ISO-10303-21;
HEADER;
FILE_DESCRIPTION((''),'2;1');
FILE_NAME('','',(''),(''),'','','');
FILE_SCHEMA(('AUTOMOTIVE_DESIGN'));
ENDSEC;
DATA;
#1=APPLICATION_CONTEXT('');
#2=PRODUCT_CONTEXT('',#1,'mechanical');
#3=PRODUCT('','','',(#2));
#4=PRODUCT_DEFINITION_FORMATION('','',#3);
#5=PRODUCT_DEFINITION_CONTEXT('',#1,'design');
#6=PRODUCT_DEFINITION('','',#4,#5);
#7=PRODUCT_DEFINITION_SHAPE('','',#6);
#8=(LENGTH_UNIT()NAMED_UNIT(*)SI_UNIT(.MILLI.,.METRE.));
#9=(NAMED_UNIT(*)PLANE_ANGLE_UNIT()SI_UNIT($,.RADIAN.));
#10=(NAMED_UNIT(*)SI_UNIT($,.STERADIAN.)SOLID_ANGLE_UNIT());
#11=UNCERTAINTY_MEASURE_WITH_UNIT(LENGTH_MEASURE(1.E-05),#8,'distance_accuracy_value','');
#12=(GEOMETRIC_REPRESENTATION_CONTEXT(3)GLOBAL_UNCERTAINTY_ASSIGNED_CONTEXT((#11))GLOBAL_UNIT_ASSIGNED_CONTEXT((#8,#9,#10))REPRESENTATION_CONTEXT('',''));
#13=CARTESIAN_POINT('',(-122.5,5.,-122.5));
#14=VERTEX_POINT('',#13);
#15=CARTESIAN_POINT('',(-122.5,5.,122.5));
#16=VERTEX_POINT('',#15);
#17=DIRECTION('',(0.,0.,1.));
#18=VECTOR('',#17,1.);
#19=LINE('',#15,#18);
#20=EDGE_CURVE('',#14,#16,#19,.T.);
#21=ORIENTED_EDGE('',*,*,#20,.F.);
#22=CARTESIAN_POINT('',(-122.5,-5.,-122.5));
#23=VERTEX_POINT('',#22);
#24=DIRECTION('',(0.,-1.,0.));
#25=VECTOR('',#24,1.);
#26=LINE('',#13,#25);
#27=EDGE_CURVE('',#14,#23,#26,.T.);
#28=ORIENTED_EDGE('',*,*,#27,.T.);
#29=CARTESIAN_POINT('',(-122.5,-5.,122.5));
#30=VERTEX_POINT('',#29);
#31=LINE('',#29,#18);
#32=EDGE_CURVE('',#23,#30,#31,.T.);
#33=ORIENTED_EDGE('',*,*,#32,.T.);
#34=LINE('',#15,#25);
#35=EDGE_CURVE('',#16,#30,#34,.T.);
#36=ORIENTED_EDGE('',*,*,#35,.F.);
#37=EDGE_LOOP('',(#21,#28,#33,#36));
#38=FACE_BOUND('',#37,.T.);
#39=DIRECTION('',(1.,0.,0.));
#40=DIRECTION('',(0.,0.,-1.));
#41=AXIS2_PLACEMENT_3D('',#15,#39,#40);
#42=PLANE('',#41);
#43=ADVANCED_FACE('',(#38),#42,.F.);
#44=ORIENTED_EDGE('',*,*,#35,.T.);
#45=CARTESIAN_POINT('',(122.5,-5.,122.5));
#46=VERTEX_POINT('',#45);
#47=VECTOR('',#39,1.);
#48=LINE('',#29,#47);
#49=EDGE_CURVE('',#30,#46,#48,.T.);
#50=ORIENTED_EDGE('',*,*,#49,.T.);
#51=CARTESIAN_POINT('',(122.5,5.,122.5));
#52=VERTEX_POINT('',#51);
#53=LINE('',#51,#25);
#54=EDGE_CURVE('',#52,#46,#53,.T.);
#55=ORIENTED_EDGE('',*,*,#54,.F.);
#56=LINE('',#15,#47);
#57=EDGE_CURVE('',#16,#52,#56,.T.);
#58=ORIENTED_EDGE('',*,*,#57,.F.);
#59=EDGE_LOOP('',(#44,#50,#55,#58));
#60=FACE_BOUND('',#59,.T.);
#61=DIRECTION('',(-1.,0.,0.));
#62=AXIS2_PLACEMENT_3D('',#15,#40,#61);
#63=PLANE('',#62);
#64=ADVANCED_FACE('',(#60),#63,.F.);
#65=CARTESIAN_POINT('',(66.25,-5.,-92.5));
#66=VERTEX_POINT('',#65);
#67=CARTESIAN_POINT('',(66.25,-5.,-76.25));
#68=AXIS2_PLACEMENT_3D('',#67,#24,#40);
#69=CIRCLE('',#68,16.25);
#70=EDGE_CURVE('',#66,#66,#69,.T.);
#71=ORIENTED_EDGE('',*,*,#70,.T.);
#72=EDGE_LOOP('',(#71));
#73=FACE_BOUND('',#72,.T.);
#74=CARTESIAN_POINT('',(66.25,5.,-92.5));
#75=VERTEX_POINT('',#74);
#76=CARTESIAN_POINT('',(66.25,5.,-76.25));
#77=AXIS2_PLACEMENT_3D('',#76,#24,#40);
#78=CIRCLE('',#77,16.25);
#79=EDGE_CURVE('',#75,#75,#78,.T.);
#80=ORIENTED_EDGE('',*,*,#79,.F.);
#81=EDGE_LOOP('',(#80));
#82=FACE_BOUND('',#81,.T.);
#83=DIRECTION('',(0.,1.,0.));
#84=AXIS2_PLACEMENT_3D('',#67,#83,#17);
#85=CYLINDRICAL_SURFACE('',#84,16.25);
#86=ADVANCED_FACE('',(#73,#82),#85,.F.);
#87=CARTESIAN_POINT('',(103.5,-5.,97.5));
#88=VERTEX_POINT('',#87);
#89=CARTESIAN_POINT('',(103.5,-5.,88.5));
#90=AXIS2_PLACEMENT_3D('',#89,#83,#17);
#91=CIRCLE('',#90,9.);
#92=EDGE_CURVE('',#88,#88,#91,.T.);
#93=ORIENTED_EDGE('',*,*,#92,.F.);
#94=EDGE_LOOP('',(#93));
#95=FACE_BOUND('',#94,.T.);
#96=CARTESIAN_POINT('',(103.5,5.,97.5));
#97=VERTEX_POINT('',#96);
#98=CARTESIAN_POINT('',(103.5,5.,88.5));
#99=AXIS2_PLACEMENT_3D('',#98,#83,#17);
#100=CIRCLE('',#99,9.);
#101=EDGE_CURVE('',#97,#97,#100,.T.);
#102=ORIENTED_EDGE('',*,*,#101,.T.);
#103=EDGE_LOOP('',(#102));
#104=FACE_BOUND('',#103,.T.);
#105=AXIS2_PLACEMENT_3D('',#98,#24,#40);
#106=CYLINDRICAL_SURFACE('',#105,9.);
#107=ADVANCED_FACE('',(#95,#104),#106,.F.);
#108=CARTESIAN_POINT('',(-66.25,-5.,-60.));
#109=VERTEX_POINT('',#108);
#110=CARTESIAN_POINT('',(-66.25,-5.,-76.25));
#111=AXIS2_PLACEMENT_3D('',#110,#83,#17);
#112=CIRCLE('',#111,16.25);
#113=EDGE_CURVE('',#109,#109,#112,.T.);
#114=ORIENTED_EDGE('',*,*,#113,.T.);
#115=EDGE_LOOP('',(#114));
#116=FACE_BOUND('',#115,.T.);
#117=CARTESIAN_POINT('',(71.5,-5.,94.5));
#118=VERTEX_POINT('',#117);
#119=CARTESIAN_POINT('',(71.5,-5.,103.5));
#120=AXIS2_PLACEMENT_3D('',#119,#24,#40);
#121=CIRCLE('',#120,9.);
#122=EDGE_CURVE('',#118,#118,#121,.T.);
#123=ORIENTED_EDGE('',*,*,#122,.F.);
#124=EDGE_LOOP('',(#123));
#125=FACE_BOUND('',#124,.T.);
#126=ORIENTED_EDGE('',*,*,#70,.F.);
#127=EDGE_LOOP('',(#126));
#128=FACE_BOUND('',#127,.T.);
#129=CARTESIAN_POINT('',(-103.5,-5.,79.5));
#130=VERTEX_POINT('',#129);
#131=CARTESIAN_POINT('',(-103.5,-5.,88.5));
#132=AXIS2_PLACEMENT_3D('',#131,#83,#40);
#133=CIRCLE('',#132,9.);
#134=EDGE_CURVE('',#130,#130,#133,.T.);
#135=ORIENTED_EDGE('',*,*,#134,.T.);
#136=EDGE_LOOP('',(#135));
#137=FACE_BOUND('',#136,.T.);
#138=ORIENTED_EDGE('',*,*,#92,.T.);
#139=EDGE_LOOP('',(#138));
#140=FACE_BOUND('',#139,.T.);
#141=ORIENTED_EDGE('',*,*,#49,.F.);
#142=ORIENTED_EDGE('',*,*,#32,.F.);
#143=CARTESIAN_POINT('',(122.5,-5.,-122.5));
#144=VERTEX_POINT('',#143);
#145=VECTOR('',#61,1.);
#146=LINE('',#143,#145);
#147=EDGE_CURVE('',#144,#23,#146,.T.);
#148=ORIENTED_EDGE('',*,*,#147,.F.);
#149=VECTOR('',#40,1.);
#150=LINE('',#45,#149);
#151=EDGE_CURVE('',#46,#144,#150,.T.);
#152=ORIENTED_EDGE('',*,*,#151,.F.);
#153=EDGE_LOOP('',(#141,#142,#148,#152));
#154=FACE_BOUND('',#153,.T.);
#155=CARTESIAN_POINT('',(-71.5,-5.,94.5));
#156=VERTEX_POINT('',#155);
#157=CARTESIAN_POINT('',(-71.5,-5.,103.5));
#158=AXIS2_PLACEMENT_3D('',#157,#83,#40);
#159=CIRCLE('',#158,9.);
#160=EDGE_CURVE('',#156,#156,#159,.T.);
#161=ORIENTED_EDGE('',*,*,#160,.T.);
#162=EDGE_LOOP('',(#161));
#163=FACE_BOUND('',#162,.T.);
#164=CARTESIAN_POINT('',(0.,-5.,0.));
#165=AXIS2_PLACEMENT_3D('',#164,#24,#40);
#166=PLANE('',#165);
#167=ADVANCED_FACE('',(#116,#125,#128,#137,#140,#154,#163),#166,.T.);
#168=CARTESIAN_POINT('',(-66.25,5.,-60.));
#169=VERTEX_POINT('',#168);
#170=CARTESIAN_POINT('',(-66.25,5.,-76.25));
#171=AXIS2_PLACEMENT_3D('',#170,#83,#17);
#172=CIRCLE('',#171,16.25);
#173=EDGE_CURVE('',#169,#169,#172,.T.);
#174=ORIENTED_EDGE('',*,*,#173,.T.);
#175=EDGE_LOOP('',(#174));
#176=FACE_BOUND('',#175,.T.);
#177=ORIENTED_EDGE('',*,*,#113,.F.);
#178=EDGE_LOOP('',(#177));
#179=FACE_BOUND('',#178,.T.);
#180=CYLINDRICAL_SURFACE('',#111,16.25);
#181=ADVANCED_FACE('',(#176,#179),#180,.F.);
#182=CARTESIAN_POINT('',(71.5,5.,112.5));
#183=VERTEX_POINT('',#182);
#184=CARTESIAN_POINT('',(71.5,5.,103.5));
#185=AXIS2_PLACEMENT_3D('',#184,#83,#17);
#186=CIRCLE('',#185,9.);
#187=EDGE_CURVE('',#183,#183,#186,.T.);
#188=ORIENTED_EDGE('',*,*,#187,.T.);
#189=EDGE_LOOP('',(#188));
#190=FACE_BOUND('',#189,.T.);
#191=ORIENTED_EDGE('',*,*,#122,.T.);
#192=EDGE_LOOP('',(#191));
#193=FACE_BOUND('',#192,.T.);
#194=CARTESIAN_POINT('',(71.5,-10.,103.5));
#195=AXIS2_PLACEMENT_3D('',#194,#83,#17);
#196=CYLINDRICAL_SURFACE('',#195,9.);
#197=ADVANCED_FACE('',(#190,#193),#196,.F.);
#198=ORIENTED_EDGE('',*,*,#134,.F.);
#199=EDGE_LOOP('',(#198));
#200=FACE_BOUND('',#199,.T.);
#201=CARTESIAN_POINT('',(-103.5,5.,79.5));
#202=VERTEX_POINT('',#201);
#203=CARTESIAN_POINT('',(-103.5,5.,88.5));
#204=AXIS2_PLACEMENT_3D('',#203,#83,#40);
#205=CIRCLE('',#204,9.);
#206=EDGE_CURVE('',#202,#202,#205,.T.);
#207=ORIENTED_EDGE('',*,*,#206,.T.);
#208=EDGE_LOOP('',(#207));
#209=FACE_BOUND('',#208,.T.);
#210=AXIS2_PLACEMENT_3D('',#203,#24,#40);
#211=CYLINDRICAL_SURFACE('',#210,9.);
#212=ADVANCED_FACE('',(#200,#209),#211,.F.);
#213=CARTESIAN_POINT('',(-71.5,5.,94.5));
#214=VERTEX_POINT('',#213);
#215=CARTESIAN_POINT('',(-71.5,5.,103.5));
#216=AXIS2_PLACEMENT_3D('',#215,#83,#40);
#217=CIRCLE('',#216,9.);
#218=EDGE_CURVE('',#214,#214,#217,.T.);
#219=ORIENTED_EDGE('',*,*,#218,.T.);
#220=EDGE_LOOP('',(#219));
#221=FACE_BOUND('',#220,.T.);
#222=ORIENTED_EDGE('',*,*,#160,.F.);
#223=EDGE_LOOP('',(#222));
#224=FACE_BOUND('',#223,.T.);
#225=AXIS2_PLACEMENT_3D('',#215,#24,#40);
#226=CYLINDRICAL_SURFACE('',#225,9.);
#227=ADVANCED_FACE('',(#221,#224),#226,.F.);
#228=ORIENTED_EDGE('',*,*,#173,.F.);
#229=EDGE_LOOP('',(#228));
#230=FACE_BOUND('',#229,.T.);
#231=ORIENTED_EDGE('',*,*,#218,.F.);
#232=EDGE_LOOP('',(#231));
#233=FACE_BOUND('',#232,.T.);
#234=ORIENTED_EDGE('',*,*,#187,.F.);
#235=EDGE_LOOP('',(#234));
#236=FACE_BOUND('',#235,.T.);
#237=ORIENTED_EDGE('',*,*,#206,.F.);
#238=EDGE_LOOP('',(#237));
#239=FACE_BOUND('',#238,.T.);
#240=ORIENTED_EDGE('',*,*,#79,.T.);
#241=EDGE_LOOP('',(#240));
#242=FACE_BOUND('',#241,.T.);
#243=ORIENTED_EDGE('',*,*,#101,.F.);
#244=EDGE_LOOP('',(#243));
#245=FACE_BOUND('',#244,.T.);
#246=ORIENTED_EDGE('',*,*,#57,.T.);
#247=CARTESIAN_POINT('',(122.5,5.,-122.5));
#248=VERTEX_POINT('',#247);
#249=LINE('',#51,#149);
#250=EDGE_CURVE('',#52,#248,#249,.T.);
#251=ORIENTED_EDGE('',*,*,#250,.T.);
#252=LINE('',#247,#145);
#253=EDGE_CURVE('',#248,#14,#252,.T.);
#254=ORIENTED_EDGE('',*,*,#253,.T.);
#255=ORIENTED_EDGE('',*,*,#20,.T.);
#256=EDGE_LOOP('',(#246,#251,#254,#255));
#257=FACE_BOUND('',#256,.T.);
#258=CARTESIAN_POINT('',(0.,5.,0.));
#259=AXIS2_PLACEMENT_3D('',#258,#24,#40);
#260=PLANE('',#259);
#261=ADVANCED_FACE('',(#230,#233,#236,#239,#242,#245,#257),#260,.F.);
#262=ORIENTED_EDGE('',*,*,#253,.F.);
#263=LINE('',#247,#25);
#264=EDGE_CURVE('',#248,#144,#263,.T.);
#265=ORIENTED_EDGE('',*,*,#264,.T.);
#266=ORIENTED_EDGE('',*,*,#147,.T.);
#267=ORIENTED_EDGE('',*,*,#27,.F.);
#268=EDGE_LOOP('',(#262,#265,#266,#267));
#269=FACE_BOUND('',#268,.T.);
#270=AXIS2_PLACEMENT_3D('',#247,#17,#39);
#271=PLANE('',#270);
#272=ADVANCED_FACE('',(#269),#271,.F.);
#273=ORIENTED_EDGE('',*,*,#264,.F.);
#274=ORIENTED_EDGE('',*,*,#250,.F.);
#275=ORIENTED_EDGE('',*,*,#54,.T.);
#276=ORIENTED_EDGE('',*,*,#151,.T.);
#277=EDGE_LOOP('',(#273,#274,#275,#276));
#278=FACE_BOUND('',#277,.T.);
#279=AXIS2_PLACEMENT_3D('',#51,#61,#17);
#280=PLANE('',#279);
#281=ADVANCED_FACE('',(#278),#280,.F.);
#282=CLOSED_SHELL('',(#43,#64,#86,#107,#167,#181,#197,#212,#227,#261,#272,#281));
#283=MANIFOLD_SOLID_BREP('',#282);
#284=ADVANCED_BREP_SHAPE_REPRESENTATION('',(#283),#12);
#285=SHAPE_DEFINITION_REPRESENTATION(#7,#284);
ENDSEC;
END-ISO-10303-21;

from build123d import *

# Parameters (mm, degrees)
SKETCH1_W               = 245
SKETCH1_H               = 245
BOSS_EXTRUDE1_DEPTH     = 5
SKETCH2_R               = 16.25
CUT_EXTRUDE1_DEPTH      = 10
SKETCH3_R               = 9
CUT_EXTRUDE2_DEPTH      = 10
SKETCH3_3_R             = 9
CUT_EXTRUDE3_DEPTH      = 6
CUT_EXTRUDE3_DEPTH_BACK = 6


with BuildPart() as part:
    # Sketch1 → Boss-Extrude1 (new body, symmetric)
    with BuildSketch(Plane(origin=(0, 0, 0), x_dir=(1, 0, 0), z_dir=(0, 1, 0))):
        Rectangle(SKETCH1_W, SKETCH1_H)
    extrude(amount=BOSS_EXTRUDE1_DEPTH, both=True)

    # Sketch2 → Cut-Extrude1 (cut)
    with BuildSketch(Plane(origin=(0, 5, 0), x_dir=(1, 0, 0), z_dir=(0, 1, 0))):
        with Locations((-66.25, 76.25)):
            Circle(SKETCH2_R)
        with Locations((66.25, 76.25)):
            Circle(SKETCH2_R)
    extrude(amount=-CUT_EXTRUDE1_DEPTH, mode=Mode.SUBTRACT)

    # Sketch3 → Cut-Extrude2 (cut)
    with BuildSketch(Plane(origin=(0, 0, 0), x_dir=(1, 0, 0), z_dir=(0, 1, 0))):
        with Locations((71.5, -103.5)):
            Circle(SKETCH3_R)
    extrude(amount=-CUT_EXTRUDE2_DEPTH, mode=Mode.SUBTRACT)

    # Sketch3<3> → Cut-Extrude3 (cut, two sides)
    with BuildSketch(Plane(origin=(0, 0, 0), x_dir=(1, 0, 0), z_dir=(0, 1, 0))) as cut_extrude3_sk:
        with Locations((103.5, -88.5)):
            Circle(SKETCH3_3_R)
        with Locations((71.5, -103.5)):
            Circle(SKETCH3_3_R)
        with Locations((-71.5, -103.5)):
            Circle(SKETCH3_3_R)
        with Locations((-103.5, -88.5)):
            Circle(SKETCH3_3_R)
    extrude(amount=CUT_EXTRUDE3_DEPTH, mode=Mode.SUBTRACT)
    extrude(cut_extrude3_sk.sketch, amount=-CUT_EXTRUDE3_DEPTH_BACK, mode=Mode.SUBTRACT)


solid = part.part
